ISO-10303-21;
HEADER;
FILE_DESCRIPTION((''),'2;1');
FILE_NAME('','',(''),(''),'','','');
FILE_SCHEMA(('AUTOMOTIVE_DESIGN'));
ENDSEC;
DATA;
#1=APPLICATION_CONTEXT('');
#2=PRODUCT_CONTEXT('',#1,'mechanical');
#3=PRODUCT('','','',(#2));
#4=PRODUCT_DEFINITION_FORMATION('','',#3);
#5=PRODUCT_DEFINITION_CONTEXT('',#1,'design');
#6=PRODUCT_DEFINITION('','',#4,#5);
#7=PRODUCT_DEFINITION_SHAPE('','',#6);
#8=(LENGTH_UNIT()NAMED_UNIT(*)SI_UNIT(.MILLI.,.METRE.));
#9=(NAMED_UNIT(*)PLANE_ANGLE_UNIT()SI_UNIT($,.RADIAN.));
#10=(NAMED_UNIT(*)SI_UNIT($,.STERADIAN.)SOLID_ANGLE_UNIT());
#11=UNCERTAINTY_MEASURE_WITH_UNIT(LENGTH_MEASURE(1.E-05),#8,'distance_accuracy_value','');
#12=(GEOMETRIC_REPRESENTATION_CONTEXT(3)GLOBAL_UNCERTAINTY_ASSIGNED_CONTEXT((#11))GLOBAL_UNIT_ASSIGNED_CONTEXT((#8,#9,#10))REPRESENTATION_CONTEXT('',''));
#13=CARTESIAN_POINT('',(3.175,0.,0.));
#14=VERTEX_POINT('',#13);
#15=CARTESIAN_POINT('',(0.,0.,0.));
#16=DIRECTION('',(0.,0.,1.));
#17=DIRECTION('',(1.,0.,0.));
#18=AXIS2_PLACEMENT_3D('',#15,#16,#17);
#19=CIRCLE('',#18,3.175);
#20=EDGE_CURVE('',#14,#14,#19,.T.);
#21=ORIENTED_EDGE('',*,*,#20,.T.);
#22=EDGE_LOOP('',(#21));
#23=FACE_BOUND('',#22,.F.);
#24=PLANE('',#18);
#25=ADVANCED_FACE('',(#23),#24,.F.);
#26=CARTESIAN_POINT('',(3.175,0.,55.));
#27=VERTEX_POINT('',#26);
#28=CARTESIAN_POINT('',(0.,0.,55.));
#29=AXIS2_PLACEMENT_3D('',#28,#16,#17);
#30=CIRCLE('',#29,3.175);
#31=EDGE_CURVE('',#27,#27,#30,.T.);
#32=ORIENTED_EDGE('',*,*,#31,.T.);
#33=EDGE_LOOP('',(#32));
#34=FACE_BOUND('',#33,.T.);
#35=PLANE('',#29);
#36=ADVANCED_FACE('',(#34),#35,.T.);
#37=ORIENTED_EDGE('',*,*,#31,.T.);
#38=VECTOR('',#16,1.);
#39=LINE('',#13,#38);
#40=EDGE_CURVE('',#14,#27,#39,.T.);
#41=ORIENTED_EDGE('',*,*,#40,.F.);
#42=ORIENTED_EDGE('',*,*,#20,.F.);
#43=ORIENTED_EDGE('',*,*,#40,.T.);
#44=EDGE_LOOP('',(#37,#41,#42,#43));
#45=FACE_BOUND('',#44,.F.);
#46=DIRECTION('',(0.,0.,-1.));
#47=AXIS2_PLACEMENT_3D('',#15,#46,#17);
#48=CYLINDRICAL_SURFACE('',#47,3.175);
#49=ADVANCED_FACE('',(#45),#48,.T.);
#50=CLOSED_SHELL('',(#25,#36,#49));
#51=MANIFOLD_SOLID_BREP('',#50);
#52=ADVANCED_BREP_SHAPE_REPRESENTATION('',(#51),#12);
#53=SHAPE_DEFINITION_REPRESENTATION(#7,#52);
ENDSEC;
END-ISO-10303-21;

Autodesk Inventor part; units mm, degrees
ref_plane "YZ Plane" through (0, 0, 0) normal (1, 0, 0) x (0, 1, 0)
ref_plane "XZ Plane" through (0, 0, 0) normal (0, 1, 0) x (-1, 0, 0)
ref_plane "XY Plane" through (0, 0, 0) normal (0, 0, 1) x (1, 0, 0)
sketch "Sketch1" plane through (0, 0, 0) normal (0, 0, 1) x (1, 0, 0)
  circle A0 centre (0, 0) radius 3.175
  dimension "d0" = 6.35
extrude "Extrusion1" add sketch "Sketch1" along normal blind 55
properties part number "lower idler rod" material "Gold"
